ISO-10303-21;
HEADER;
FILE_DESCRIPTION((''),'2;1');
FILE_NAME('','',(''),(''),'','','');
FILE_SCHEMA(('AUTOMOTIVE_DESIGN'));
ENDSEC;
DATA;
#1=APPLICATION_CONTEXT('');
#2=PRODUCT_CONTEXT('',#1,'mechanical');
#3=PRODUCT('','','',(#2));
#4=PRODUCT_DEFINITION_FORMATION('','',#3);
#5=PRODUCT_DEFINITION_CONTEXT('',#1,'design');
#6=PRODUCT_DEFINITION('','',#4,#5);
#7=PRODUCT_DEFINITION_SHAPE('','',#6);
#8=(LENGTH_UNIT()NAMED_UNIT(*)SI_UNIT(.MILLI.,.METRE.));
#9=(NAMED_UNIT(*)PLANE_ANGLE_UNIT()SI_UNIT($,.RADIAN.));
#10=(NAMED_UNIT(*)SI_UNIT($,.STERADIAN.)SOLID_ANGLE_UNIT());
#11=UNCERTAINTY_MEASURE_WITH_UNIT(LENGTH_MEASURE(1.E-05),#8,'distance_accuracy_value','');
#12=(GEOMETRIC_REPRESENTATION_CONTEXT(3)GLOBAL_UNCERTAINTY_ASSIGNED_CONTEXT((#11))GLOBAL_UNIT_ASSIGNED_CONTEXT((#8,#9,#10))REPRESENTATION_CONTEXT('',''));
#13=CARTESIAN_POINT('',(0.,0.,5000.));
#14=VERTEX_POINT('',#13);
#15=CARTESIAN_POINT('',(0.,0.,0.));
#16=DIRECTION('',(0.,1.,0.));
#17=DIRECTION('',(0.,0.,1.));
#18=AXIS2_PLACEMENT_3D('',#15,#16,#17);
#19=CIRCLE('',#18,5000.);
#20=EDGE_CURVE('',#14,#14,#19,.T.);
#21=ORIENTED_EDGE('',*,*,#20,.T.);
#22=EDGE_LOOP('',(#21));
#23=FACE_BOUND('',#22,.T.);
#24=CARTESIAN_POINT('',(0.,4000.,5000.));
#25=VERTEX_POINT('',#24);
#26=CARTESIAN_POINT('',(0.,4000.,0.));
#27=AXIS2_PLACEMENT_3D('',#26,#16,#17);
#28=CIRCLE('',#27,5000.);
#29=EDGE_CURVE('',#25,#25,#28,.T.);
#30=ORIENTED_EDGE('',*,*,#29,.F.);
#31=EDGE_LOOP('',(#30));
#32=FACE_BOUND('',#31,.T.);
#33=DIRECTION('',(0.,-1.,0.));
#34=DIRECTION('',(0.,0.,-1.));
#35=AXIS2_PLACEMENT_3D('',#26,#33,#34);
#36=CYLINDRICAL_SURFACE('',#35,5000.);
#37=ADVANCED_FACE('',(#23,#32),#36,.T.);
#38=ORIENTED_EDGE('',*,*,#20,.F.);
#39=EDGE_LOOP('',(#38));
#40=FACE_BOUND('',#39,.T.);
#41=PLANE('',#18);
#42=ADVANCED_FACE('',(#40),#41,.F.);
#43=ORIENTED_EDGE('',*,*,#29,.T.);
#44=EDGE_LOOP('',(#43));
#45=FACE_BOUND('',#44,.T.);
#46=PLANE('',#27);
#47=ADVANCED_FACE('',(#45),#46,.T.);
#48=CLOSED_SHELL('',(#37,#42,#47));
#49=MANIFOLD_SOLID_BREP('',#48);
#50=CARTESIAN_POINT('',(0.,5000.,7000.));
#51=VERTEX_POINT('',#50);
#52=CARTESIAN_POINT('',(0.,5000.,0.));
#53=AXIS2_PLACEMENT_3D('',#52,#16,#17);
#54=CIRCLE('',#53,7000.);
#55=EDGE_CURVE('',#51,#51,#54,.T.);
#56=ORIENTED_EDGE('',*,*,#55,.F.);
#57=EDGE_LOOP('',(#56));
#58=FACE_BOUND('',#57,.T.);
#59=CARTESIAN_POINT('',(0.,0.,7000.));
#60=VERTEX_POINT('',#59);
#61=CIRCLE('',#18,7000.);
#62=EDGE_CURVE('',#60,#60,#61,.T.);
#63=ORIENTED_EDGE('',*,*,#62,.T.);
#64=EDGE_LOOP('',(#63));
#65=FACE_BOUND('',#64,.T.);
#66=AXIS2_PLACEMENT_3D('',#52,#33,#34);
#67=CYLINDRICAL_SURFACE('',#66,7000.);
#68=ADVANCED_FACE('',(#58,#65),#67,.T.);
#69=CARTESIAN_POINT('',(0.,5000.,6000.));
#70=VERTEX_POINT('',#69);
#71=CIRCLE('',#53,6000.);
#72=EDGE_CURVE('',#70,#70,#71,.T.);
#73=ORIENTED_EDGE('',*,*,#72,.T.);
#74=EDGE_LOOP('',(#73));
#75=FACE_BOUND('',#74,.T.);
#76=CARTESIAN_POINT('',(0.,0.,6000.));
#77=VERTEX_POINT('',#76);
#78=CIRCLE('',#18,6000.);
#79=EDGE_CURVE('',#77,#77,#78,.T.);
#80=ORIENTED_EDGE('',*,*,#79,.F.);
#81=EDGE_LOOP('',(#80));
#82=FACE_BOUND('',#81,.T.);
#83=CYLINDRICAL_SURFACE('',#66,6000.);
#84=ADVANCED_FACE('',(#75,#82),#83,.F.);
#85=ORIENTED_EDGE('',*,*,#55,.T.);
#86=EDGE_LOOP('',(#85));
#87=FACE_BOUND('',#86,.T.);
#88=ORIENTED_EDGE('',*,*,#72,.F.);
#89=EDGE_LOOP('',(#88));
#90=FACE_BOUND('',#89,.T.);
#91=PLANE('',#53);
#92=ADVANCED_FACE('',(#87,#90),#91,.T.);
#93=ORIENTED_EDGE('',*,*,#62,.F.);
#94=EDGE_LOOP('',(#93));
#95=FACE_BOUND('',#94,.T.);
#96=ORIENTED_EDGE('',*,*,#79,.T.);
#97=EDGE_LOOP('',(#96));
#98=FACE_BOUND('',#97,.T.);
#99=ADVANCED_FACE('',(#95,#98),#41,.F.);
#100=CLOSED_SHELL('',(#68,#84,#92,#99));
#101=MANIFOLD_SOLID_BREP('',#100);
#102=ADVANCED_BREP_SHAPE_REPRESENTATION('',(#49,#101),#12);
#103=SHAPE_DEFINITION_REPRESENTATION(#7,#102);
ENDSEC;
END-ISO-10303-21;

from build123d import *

# Parameters (mm, degrees)
BASE_R        = 5000
GROUND_DEPTH  = 4000
SKETCH1_3_R   = 7000
SKETCH1_3_R_2 = 6000
WALL_DEPTH    = 5000


with BuildPart() as part:
    # Base → Ground (new body)
    with BuildSketch(Plane(origin=(0, 0, 0), x_dir=(1, 0, 0), z_dir=(0, 1, 0))):
        Circle(BASE_R)
    extrude(amount=GROUND_DEPTH)


with BuildPart() as body_2:
    # Sketch1<3> → Wall (new body)
    with BuildSketch(Plane(origin=(0, 0, 0), x_dir=(1, 0, 0), z_dir=(0, 1, 0))):
        Circle(SKETCH1_3_R)
        Circle(SKETCH1_3_R_2, mode=Mode.SUBTRACT)
    extrude(amount=WALL_DEPTH)


solid = Compound([part.part, body_2.part])
